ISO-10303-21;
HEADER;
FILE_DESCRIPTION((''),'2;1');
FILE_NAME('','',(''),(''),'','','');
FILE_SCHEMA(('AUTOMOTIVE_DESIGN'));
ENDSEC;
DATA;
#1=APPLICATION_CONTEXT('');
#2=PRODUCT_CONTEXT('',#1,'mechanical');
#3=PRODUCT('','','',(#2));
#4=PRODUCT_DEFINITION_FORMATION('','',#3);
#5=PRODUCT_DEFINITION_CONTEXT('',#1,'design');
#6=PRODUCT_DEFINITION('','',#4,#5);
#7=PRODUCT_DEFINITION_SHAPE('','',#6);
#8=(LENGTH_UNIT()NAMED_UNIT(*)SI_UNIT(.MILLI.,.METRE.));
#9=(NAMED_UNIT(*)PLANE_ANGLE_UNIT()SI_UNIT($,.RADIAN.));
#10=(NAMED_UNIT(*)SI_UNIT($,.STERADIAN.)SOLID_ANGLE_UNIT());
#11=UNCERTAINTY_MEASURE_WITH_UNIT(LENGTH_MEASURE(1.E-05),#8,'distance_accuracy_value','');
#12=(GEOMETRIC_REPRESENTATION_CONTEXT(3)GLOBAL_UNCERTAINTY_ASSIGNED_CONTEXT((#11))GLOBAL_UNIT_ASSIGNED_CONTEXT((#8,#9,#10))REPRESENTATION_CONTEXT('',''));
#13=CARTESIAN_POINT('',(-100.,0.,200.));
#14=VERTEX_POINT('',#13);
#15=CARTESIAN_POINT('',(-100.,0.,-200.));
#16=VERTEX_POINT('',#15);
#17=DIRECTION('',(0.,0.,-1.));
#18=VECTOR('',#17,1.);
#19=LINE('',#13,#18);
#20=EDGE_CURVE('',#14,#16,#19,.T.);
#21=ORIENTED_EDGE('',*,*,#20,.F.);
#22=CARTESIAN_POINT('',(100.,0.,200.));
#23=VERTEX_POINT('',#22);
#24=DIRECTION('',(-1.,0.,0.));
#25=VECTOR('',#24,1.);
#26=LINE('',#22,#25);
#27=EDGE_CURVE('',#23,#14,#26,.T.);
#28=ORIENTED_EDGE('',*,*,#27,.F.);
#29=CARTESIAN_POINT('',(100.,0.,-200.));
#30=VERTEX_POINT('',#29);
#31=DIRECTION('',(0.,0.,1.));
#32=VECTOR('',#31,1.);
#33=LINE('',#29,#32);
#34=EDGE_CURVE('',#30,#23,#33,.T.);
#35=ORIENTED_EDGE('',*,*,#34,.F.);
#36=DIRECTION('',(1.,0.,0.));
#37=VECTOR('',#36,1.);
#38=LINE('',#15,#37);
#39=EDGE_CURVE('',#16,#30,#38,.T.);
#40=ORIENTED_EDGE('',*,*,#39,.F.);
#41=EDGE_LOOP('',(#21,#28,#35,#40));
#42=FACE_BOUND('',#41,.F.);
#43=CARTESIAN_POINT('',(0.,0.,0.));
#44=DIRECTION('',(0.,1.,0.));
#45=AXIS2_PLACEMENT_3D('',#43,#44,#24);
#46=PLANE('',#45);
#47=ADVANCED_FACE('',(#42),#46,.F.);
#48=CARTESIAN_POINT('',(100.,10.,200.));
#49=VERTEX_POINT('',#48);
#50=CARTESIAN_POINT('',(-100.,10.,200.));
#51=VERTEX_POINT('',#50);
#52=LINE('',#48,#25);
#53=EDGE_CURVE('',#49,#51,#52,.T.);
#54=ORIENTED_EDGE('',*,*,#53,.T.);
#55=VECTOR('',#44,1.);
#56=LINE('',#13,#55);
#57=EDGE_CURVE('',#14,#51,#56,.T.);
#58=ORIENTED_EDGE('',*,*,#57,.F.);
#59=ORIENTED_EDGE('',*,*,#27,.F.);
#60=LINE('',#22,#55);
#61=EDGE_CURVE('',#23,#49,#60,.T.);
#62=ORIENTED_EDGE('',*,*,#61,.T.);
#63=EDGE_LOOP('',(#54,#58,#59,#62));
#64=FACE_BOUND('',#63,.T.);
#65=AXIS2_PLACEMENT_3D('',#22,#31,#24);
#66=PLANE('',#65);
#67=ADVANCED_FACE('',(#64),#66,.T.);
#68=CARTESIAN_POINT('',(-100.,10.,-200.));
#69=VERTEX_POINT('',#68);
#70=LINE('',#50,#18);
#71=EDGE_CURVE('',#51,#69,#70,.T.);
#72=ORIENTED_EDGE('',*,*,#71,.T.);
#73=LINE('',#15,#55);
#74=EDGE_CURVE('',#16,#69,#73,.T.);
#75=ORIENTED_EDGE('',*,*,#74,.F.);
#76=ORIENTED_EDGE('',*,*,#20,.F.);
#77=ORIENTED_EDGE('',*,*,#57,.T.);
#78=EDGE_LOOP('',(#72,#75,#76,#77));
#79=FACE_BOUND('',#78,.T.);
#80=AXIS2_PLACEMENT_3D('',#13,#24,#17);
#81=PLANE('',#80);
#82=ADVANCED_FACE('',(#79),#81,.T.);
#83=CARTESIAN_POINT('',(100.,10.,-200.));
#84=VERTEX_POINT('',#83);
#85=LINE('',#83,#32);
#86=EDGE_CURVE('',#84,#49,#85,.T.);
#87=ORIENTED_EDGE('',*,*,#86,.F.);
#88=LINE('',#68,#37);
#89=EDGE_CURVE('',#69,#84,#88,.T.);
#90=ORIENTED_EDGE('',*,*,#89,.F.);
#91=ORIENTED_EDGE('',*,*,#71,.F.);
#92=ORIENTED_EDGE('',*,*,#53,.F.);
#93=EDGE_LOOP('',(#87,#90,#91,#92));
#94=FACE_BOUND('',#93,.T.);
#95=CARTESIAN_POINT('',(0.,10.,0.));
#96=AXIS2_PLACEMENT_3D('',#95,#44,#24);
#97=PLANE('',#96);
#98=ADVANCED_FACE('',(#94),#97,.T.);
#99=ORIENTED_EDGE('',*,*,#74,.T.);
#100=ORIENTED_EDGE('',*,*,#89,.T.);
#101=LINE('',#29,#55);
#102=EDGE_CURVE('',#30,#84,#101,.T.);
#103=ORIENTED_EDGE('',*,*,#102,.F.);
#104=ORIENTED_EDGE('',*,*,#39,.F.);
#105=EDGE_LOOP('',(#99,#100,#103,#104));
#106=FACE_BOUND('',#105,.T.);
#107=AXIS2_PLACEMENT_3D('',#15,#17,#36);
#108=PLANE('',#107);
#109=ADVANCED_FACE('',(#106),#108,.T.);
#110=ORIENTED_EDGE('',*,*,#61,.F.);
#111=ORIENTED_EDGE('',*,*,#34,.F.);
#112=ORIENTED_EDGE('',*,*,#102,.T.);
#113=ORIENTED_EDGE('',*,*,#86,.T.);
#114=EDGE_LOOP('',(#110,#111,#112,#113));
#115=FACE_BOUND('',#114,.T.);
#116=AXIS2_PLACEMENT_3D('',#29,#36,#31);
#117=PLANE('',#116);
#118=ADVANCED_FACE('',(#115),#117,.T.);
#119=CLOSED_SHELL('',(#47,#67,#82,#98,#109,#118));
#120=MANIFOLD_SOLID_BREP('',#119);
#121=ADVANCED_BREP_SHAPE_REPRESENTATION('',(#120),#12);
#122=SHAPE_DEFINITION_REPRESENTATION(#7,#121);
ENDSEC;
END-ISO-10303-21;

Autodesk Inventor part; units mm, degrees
ref_plane "YZ Plane" through (0, 0, 0) normal (1, 0, 0) x (0, 1, 0)
ref_plane "XZ Plane" through (0, 0, 0) normal (0, 1, 0) x (-1, 0, 0)
ref_plane "XY Plane" through (0, 0, 0) normal (0, 0, 1) x (1, 0, 0)
sketch "Sketch1" plane through (0, 0, 0) normal (0, 1, 0) x (-1, 0, 0)
  line L0 (-100, 200) -> (100, 200)
  line L1 (100, 200) -> (100, -200)
  line L2 (100, -200) -> (-100, -200)
  line L3 (-100, -200) -> (-100, 200)
  line L4 (-100, 200) -> (100, -200) construction
  line L5 (100, 200) -> (-100, -200) construction
  point P0 (0, 0)
  dimension "d0" = 200
  dimension "d1" = 400
extrude "Extrusion1" add sketch "Sketch1" along normal blind 10
properties part number "PEEK Sheet"
